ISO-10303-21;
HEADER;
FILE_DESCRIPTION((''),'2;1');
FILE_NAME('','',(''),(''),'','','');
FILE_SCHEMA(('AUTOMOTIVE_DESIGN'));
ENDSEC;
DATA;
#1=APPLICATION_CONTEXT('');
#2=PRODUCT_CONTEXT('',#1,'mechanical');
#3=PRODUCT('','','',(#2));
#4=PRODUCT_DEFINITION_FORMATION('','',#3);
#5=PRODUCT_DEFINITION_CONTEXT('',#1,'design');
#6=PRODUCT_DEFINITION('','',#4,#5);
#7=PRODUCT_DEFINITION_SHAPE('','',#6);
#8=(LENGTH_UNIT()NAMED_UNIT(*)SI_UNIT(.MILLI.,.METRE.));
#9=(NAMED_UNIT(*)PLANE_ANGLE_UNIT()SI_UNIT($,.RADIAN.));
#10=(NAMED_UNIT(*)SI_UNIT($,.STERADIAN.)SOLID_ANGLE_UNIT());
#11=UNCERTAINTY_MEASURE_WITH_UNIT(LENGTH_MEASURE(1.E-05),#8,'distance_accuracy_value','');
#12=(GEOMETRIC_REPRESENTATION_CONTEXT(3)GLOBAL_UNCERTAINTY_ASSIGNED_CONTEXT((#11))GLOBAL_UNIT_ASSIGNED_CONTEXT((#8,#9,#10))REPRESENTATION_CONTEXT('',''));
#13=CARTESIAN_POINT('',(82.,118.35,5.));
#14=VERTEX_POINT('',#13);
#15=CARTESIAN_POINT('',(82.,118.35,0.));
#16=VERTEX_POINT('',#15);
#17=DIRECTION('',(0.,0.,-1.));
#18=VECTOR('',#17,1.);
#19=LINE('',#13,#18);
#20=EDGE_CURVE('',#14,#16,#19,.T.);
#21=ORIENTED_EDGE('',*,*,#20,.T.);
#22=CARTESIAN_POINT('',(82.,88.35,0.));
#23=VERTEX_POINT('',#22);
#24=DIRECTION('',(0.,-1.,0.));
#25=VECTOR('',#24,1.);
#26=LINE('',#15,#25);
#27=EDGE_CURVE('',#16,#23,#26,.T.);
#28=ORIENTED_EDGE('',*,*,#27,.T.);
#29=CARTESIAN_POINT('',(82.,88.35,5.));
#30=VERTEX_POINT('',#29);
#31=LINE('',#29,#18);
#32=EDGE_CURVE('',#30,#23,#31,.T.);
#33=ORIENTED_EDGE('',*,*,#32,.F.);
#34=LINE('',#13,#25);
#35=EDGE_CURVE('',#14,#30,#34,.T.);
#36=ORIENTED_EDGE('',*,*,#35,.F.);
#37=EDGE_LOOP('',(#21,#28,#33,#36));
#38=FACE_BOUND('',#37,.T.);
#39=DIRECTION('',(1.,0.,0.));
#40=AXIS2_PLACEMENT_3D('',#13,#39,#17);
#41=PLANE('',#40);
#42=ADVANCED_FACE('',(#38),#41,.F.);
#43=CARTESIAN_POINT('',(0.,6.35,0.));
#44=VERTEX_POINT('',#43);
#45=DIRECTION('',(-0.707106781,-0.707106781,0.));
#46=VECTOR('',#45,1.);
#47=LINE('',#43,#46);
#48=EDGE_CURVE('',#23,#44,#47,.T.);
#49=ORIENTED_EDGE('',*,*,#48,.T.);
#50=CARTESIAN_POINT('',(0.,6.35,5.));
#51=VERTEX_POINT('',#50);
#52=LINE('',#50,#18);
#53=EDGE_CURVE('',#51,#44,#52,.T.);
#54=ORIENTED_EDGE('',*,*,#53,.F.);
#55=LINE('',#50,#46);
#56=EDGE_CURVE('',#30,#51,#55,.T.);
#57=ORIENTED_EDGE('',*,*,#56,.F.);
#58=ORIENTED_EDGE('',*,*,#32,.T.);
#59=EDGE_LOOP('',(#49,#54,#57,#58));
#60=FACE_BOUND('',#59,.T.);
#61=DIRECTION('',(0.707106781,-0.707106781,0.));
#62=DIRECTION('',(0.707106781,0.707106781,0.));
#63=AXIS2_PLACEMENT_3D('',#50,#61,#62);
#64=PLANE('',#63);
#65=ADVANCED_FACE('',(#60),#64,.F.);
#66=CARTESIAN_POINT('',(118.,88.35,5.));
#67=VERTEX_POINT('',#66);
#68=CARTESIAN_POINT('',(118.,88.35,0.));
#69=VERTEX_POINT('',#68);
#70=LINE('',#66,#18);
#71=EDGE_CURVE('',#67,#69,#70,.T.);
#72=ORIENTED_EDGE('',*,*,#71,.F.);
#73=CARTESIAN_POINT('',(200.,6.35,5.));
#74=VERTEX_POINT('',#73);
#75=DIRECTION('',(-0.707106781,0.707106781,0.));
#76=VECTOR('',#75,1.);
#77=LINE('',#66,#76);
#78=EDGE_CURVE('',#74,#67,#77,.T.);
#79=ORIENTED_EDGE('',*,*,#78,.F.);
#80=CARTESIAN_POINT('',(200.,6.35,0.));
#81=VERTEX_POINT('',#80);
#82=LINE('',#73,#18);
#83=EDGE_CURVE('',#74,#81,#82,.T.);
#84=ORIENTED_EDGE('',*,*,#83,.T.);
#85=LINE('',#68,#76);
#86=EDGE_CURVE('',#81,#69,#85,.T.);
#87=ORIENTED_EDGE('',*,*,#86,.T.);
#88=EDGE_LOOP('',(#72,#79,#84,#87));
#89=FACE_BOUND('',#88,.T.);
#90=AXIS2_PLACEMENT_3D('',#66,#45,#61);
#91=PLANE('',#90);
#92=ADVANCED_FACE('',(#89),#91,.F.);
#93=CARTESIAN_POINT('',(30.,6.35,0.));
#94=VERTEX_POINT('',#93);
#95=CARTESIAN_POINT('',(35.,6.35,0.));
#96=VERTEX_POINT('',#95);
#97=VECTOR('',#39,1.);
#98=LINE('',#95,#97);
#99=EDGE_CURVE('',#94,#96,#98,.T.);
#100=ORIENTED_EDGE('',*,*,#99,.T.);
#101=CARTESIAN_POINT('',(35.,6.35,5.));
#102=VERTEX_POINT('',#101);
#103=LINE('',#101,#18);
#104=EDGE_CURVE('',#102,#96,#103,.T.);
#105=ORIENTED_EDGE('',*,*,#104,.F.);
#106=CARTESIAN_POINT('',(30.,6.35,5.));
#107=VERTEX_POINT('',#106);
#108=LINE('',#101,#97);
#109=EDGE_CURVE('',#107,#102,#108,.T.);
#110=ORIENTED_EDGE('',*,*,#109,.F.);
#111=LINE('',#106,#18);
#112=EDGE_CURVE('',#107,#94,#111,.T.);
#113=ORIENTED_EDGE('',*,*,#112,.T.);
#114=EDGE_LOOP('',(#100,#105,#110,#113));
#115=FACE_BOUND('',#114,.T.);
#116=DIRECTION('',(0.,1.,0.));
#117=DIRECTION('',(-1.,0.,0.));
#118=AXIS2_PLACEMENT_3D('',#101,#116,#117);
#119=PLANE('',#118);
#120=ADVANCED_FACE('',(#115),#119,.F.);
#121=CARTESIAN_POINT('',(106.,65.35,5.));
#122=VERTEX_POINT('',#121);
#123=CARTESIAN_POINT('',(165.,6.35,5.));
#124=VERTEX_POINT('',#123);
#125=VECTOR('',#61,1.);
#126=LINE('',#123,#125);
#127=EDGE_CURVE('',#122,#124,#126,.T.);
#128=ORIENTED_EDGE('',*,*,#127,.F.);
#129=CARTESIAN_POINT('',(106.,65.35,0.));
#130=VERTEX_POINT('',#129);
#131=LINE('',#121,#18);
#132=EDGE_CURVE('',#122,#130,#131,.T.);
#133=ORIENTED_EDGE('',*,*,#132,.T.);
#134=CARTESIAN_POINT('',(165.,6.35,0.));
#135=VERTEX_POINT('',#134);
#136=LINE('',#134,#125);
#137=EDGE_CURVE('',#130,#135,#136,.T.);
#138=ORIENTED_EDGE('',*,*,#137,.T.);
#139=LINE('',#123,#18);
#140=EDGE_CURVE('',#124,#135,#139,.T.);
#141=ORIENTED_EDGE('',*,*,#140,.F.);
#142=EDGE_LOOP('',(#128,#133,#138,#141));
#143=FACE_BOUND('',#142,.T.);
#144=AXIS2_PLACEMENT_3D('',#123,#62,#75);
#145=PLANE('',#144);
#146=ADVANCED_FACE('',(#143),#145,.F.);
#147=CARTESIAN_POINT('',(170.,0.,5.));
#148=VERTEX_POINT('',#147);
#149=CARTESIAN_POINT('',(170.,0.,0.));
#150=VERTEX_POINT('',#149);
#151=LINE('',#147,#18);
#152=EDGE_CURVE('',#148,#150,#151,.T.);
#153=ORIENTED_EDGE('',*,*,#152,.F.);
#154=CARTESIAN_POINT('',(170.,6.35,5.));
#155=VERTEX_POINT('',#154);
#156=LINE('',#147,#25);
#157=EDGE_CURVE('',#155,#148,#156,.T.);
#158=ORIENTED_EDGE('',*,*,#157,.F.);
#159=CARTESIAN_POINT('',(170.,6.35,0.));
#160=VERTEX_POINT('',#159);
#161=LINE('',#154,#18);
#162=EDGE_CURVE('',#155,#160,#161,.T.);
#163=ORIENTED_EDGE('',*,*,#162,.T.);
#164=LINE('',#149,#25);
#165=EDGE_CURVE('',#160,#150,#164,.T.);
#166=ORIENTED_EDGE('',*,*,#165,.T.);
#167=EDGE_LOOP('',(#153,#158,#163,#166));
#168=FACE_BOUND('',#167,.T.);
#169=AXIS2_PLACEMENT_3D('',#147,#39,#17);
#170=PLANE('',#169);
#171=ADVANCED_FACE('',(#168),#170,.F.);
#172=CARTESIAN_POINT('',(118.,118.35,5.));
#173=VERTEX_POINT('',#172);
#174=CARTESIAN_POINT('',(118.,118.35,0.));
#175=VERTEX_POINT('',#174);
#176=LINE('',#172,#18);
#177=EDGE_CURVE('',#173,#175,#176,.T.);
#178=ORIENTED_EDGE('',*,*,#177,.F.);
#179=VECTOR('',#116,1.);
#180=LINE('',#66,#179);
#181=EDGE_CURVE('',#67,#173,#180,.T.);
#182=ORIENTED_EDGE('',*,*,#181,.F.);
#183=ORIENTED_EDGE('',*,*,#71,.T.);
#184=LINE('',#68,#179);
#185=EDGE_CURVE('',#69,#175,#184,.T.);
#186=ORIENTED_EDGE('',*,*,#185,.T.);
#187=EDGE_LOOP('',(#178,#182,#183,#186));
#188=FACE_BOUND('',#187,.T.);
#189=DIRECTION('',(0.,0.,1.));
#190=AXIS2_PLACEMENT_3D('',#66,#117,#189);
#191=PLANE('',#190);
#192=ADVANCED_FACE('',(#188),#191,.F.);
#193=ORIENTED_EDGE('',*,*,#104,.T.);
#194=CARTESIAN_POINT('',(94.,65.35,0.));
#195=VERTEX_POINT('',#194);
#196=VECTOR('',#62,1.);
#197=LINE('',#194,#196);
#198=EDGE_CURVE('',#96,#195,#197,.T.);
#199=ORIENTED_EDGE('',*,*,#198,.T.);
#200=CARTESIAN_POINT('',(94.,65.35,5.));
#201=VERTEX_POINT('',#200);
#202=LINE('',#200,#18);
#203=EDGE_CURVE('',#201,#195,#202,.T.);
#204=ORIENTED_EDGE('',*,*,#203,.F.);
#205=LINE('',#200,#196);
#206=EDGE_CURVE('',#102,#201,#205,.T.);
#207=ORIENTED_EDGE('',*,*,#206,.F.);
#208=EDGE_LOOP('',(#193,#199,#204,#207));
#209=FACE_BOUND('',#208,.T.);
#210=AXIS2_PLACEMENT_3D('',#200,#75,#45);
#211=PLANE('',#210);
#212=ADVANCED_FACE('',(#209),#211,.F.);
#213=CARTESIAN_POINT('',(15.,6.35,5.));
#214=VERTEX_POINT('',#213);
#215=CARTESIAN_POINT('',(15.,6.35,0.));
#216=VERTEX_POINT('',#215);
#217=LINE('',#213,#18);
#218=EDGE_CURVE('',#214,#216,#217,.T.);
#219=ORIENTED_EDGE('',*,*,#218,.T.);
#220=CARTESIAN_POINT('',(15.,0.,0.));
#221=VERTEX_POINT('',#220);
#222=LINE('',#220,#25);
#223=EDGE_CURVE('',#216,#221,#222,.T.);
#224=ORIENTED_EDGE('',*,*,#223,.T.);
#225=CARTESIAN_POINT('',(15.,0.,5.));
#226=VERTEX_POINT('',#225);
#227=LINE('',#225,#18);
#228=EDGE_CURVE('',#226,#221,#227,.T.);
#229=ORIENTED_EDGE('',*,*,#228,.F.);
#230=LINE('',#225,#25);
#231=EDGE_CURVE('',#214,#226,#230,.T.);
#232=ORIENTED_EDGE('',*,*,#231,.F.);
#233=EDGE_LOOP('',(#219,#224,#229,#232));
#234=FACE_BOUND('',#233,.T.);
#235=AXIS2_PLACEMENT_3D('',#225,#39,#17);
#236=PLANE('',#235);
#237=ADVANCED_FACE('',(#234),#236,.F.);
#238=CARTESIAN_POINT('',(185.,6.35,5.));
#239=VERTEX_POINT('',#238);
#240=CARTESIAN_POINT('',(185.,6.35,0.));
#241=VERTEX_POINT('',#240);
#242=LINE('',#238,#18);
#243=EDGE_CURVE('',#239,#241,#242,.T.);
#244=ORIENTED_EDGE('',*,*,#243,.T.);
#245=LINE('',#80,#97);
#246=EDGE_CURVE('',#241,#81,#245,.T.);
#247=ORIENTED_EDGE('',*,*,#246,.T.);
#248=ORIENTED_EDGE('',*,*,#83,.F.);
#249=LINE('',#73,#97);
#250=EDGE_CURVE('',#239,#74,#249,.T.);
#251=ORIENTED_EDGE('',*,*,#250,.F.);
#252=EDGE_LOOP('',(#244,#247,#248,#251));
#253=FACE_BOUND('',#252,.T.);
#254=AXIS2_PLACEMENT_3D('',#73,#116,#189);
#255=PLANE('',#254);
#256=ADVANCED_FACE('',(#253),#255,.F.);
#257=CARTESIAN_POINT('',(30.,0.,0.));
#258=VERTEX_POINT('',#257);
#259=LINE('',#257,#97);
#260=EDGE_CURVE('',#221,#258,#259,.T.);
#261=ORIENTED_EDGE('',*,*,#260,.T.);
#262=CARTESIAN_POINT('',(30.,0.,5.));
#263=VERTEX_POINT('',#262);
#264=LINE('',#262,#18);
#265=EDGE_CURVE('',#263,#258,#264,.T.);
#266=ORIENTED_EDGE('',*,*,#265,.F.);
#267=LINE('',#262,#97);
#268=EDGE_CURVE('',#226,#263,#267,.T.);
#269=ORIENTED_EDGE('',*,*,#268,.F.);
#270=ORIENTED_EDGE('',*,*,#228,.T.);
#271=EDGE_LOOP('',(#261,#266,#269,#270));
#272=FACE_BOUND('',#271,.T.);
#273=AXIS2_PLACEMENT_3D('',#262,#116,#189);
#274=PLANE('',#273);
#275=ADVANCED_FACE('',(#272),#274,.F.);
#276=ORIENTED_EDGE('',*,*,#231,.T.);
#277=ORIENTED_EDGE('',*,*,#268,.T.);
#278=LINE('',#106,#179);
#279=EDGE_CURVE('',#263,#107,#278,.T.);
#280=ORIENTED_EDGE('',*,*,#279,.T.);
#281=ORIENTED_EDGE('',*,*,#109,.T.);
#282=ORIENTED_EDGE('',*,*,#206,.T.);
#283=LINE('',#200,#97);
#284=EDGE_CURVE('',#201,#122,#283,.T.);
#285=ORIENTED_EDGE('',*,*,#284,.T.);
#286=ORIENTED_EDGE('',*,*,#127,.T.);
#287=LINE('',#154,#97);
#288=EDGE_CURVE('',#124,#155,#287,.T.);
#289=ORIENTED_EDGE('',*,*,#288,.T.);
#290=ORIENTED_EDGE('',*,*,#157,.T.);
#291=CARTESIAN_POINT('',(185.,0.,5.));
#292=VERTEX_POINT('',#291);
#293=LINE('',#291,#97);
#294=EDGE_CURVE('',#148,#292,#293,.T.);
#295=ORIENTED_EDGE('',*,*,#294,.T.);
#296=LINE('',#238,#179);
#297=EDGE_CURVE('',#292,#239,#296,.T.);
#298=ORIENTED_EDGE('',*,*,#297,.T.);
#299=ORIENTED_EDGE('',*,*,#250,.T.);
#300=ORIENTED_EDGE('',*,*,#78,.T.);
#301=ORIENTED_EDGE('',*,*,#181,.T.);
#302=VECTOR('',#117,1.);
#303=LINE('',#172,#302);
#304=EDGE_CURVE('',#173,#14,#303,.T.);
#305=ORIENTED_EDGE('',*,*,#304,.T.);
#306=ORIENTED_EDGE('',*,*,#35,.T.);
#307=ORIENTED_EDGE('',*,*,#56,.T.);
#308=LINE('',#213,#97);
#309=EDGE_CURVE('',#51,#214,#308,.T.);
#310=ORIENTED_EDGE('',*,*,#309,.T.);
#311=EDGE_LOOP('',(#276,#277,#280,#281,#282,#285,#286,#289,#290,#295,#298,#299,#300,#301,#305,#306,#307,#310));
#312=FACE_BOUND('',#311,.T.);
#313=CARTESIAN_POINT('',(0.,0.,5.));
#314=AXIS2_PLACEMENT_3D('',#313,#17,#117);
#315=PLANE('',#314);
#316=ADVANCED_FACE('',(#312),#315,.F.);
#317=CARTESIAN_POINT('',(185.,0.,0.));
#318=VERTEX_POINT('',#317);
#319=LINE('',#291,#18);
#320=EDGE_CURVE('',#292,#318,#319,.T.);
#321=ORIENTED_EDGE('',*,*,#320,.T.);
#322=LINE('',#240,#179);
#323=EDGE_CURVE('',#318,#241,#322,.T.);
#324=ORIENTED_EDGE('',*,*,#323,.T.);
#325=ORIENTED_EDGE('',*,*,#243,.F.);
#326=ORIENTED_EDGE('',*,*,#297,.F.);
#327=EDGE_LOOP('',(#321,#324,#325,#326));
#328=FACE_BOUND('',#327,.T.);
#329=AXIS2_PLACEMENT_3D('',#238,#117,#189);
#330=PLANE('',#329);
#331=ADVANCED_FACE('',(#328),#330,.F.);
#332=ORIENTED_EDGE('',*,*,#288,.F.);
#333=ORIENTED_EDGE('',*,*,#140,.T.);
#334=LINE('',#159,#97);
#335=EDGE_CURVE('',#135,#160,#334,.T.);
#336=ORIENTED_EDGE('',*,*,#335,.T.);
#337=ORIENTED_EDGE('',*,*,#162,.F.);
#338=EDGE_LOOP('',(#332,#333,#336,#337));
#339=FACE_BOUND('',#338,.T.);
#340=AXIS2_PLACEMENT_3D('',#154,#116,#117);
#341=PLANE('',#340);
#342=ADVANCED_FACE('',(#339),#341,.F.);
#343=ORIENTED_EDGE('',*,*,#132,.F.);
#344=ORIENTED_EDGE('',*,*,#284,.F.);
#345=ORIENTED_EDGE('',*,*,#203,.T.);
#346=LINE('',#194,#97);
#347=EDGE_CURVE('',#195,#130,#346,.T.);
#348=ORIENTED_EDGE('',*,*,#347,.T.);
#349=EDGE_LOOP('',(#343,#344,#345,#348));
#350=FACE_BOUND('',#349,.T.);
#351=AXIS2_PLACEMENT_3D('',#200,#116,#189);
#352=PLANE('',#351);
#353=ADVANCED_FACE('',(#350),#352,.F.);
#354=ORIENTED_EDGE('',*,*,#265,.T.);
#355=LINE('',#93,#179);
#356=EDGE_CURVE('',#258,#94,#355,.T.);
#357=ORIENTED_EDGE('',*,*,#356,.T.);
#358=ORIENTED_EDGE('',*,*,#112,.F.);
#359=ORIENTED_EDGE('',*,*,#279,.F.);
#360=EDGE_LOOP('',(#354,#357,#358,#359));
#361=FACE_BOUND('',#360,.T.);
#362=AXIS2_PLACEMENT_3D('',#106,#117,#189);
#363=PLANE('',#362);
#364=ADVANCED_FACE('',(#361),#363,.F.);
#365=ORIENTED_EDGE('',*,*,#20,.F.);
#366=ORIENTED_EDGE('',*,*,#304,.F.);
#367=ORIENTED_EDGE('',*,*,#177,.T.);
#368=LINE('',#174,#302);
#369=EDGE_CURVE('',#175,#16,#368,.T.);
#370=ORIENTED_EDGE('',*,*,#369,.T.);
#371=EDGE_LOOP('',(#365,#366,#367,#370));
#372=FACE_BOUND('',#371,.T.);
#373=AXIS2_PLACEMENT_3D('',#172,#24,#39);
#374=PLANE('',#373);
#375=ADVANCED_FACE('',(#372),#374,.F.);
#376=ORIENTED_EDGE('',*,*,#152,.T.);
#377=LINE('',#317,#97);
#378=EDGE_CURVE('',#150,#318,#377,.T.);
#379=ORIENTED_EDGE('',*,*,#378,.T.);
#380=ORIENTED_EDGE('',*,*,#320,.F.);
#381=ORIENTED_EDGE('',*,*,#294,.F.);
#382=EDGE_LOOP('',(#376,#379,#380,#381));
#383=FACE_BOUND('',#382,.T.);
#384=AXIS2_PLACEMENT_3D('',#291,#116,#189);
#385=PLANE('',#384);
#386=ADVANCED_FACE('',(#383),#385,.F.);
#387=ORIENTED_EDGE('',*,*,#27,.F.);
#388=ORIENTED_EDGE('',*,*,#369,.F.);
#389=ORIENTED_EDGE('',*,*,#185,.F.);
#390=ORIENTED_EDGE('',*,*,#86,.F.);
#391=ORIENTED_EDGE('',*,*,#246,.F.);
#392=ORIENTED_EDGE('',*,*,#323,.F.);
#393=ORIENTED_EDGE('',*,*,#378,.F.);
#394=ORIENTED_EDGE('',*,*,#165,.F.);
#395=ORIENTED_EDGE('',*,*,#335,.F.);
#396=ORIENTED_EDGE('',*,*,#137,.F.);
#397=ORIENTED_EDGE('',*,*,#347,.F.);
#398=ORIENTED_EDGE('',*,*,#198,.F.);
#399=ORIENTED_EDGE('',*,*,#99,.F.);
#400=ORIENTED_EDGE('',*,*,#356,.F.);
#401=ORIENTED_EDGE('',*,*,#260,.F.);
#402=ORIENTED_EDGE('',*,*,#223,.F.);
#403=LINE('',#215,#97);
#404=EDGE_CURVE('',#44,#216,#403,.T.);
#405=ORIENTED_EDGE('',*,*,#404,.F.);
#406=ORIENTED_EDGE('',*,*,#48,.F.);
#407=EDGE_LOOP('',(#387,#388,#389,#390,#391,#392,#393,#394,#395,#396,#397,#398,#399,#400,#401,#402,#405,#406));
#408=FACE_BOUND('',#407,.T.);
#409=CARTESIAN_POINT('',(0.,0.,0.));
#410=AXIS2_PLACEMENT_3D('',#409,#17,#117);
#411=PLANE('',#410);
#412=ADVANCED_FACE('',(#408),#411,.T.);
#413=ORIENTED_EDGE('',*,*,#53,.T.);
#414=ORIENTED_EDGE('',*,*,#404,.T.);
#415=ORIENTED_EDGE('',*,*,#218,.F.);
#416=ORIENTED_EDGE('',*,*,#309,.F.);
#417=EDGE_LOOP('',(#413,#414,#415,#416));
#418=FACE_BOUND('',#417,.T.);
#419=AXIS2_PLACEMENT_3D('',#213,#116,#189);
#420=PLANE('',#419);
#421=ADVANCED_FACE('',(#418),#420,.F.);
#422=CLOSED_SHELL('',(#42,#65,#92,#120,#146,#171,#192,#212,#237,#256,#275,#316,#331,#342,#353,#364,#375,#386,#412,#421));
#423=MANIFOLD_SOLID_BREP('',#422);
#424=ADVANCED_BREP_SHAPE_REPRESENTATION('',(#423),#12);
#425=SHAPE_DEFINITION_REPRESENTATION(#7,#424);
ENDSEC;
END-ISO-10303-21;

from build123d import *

# Parameters (mm, degrees)
BOSS_EXTRUDE1_DEPTH = 5


with BuildPart() as part:
    # Sketch1 → Boss-Extrude1 (new body)
    with BuildSketch(Plane.XY):
        Polygon((30, 0), (15, 0), (15, 6.35), (0, 6.35), (82, 88.35), (82, 118.35), (118, 118.35), (118, 88.35), (200, 6.35), (185, 6.35), (185, 0), (170, 0), (170, 6.35), (165, 6.35), (106, 65.35), (94, 65.35), (35, 6.35), (30, 6.35), align=None)
    extrude(amount=BOSS_EXTRUDE1_DEPTH)


solid = part.part
